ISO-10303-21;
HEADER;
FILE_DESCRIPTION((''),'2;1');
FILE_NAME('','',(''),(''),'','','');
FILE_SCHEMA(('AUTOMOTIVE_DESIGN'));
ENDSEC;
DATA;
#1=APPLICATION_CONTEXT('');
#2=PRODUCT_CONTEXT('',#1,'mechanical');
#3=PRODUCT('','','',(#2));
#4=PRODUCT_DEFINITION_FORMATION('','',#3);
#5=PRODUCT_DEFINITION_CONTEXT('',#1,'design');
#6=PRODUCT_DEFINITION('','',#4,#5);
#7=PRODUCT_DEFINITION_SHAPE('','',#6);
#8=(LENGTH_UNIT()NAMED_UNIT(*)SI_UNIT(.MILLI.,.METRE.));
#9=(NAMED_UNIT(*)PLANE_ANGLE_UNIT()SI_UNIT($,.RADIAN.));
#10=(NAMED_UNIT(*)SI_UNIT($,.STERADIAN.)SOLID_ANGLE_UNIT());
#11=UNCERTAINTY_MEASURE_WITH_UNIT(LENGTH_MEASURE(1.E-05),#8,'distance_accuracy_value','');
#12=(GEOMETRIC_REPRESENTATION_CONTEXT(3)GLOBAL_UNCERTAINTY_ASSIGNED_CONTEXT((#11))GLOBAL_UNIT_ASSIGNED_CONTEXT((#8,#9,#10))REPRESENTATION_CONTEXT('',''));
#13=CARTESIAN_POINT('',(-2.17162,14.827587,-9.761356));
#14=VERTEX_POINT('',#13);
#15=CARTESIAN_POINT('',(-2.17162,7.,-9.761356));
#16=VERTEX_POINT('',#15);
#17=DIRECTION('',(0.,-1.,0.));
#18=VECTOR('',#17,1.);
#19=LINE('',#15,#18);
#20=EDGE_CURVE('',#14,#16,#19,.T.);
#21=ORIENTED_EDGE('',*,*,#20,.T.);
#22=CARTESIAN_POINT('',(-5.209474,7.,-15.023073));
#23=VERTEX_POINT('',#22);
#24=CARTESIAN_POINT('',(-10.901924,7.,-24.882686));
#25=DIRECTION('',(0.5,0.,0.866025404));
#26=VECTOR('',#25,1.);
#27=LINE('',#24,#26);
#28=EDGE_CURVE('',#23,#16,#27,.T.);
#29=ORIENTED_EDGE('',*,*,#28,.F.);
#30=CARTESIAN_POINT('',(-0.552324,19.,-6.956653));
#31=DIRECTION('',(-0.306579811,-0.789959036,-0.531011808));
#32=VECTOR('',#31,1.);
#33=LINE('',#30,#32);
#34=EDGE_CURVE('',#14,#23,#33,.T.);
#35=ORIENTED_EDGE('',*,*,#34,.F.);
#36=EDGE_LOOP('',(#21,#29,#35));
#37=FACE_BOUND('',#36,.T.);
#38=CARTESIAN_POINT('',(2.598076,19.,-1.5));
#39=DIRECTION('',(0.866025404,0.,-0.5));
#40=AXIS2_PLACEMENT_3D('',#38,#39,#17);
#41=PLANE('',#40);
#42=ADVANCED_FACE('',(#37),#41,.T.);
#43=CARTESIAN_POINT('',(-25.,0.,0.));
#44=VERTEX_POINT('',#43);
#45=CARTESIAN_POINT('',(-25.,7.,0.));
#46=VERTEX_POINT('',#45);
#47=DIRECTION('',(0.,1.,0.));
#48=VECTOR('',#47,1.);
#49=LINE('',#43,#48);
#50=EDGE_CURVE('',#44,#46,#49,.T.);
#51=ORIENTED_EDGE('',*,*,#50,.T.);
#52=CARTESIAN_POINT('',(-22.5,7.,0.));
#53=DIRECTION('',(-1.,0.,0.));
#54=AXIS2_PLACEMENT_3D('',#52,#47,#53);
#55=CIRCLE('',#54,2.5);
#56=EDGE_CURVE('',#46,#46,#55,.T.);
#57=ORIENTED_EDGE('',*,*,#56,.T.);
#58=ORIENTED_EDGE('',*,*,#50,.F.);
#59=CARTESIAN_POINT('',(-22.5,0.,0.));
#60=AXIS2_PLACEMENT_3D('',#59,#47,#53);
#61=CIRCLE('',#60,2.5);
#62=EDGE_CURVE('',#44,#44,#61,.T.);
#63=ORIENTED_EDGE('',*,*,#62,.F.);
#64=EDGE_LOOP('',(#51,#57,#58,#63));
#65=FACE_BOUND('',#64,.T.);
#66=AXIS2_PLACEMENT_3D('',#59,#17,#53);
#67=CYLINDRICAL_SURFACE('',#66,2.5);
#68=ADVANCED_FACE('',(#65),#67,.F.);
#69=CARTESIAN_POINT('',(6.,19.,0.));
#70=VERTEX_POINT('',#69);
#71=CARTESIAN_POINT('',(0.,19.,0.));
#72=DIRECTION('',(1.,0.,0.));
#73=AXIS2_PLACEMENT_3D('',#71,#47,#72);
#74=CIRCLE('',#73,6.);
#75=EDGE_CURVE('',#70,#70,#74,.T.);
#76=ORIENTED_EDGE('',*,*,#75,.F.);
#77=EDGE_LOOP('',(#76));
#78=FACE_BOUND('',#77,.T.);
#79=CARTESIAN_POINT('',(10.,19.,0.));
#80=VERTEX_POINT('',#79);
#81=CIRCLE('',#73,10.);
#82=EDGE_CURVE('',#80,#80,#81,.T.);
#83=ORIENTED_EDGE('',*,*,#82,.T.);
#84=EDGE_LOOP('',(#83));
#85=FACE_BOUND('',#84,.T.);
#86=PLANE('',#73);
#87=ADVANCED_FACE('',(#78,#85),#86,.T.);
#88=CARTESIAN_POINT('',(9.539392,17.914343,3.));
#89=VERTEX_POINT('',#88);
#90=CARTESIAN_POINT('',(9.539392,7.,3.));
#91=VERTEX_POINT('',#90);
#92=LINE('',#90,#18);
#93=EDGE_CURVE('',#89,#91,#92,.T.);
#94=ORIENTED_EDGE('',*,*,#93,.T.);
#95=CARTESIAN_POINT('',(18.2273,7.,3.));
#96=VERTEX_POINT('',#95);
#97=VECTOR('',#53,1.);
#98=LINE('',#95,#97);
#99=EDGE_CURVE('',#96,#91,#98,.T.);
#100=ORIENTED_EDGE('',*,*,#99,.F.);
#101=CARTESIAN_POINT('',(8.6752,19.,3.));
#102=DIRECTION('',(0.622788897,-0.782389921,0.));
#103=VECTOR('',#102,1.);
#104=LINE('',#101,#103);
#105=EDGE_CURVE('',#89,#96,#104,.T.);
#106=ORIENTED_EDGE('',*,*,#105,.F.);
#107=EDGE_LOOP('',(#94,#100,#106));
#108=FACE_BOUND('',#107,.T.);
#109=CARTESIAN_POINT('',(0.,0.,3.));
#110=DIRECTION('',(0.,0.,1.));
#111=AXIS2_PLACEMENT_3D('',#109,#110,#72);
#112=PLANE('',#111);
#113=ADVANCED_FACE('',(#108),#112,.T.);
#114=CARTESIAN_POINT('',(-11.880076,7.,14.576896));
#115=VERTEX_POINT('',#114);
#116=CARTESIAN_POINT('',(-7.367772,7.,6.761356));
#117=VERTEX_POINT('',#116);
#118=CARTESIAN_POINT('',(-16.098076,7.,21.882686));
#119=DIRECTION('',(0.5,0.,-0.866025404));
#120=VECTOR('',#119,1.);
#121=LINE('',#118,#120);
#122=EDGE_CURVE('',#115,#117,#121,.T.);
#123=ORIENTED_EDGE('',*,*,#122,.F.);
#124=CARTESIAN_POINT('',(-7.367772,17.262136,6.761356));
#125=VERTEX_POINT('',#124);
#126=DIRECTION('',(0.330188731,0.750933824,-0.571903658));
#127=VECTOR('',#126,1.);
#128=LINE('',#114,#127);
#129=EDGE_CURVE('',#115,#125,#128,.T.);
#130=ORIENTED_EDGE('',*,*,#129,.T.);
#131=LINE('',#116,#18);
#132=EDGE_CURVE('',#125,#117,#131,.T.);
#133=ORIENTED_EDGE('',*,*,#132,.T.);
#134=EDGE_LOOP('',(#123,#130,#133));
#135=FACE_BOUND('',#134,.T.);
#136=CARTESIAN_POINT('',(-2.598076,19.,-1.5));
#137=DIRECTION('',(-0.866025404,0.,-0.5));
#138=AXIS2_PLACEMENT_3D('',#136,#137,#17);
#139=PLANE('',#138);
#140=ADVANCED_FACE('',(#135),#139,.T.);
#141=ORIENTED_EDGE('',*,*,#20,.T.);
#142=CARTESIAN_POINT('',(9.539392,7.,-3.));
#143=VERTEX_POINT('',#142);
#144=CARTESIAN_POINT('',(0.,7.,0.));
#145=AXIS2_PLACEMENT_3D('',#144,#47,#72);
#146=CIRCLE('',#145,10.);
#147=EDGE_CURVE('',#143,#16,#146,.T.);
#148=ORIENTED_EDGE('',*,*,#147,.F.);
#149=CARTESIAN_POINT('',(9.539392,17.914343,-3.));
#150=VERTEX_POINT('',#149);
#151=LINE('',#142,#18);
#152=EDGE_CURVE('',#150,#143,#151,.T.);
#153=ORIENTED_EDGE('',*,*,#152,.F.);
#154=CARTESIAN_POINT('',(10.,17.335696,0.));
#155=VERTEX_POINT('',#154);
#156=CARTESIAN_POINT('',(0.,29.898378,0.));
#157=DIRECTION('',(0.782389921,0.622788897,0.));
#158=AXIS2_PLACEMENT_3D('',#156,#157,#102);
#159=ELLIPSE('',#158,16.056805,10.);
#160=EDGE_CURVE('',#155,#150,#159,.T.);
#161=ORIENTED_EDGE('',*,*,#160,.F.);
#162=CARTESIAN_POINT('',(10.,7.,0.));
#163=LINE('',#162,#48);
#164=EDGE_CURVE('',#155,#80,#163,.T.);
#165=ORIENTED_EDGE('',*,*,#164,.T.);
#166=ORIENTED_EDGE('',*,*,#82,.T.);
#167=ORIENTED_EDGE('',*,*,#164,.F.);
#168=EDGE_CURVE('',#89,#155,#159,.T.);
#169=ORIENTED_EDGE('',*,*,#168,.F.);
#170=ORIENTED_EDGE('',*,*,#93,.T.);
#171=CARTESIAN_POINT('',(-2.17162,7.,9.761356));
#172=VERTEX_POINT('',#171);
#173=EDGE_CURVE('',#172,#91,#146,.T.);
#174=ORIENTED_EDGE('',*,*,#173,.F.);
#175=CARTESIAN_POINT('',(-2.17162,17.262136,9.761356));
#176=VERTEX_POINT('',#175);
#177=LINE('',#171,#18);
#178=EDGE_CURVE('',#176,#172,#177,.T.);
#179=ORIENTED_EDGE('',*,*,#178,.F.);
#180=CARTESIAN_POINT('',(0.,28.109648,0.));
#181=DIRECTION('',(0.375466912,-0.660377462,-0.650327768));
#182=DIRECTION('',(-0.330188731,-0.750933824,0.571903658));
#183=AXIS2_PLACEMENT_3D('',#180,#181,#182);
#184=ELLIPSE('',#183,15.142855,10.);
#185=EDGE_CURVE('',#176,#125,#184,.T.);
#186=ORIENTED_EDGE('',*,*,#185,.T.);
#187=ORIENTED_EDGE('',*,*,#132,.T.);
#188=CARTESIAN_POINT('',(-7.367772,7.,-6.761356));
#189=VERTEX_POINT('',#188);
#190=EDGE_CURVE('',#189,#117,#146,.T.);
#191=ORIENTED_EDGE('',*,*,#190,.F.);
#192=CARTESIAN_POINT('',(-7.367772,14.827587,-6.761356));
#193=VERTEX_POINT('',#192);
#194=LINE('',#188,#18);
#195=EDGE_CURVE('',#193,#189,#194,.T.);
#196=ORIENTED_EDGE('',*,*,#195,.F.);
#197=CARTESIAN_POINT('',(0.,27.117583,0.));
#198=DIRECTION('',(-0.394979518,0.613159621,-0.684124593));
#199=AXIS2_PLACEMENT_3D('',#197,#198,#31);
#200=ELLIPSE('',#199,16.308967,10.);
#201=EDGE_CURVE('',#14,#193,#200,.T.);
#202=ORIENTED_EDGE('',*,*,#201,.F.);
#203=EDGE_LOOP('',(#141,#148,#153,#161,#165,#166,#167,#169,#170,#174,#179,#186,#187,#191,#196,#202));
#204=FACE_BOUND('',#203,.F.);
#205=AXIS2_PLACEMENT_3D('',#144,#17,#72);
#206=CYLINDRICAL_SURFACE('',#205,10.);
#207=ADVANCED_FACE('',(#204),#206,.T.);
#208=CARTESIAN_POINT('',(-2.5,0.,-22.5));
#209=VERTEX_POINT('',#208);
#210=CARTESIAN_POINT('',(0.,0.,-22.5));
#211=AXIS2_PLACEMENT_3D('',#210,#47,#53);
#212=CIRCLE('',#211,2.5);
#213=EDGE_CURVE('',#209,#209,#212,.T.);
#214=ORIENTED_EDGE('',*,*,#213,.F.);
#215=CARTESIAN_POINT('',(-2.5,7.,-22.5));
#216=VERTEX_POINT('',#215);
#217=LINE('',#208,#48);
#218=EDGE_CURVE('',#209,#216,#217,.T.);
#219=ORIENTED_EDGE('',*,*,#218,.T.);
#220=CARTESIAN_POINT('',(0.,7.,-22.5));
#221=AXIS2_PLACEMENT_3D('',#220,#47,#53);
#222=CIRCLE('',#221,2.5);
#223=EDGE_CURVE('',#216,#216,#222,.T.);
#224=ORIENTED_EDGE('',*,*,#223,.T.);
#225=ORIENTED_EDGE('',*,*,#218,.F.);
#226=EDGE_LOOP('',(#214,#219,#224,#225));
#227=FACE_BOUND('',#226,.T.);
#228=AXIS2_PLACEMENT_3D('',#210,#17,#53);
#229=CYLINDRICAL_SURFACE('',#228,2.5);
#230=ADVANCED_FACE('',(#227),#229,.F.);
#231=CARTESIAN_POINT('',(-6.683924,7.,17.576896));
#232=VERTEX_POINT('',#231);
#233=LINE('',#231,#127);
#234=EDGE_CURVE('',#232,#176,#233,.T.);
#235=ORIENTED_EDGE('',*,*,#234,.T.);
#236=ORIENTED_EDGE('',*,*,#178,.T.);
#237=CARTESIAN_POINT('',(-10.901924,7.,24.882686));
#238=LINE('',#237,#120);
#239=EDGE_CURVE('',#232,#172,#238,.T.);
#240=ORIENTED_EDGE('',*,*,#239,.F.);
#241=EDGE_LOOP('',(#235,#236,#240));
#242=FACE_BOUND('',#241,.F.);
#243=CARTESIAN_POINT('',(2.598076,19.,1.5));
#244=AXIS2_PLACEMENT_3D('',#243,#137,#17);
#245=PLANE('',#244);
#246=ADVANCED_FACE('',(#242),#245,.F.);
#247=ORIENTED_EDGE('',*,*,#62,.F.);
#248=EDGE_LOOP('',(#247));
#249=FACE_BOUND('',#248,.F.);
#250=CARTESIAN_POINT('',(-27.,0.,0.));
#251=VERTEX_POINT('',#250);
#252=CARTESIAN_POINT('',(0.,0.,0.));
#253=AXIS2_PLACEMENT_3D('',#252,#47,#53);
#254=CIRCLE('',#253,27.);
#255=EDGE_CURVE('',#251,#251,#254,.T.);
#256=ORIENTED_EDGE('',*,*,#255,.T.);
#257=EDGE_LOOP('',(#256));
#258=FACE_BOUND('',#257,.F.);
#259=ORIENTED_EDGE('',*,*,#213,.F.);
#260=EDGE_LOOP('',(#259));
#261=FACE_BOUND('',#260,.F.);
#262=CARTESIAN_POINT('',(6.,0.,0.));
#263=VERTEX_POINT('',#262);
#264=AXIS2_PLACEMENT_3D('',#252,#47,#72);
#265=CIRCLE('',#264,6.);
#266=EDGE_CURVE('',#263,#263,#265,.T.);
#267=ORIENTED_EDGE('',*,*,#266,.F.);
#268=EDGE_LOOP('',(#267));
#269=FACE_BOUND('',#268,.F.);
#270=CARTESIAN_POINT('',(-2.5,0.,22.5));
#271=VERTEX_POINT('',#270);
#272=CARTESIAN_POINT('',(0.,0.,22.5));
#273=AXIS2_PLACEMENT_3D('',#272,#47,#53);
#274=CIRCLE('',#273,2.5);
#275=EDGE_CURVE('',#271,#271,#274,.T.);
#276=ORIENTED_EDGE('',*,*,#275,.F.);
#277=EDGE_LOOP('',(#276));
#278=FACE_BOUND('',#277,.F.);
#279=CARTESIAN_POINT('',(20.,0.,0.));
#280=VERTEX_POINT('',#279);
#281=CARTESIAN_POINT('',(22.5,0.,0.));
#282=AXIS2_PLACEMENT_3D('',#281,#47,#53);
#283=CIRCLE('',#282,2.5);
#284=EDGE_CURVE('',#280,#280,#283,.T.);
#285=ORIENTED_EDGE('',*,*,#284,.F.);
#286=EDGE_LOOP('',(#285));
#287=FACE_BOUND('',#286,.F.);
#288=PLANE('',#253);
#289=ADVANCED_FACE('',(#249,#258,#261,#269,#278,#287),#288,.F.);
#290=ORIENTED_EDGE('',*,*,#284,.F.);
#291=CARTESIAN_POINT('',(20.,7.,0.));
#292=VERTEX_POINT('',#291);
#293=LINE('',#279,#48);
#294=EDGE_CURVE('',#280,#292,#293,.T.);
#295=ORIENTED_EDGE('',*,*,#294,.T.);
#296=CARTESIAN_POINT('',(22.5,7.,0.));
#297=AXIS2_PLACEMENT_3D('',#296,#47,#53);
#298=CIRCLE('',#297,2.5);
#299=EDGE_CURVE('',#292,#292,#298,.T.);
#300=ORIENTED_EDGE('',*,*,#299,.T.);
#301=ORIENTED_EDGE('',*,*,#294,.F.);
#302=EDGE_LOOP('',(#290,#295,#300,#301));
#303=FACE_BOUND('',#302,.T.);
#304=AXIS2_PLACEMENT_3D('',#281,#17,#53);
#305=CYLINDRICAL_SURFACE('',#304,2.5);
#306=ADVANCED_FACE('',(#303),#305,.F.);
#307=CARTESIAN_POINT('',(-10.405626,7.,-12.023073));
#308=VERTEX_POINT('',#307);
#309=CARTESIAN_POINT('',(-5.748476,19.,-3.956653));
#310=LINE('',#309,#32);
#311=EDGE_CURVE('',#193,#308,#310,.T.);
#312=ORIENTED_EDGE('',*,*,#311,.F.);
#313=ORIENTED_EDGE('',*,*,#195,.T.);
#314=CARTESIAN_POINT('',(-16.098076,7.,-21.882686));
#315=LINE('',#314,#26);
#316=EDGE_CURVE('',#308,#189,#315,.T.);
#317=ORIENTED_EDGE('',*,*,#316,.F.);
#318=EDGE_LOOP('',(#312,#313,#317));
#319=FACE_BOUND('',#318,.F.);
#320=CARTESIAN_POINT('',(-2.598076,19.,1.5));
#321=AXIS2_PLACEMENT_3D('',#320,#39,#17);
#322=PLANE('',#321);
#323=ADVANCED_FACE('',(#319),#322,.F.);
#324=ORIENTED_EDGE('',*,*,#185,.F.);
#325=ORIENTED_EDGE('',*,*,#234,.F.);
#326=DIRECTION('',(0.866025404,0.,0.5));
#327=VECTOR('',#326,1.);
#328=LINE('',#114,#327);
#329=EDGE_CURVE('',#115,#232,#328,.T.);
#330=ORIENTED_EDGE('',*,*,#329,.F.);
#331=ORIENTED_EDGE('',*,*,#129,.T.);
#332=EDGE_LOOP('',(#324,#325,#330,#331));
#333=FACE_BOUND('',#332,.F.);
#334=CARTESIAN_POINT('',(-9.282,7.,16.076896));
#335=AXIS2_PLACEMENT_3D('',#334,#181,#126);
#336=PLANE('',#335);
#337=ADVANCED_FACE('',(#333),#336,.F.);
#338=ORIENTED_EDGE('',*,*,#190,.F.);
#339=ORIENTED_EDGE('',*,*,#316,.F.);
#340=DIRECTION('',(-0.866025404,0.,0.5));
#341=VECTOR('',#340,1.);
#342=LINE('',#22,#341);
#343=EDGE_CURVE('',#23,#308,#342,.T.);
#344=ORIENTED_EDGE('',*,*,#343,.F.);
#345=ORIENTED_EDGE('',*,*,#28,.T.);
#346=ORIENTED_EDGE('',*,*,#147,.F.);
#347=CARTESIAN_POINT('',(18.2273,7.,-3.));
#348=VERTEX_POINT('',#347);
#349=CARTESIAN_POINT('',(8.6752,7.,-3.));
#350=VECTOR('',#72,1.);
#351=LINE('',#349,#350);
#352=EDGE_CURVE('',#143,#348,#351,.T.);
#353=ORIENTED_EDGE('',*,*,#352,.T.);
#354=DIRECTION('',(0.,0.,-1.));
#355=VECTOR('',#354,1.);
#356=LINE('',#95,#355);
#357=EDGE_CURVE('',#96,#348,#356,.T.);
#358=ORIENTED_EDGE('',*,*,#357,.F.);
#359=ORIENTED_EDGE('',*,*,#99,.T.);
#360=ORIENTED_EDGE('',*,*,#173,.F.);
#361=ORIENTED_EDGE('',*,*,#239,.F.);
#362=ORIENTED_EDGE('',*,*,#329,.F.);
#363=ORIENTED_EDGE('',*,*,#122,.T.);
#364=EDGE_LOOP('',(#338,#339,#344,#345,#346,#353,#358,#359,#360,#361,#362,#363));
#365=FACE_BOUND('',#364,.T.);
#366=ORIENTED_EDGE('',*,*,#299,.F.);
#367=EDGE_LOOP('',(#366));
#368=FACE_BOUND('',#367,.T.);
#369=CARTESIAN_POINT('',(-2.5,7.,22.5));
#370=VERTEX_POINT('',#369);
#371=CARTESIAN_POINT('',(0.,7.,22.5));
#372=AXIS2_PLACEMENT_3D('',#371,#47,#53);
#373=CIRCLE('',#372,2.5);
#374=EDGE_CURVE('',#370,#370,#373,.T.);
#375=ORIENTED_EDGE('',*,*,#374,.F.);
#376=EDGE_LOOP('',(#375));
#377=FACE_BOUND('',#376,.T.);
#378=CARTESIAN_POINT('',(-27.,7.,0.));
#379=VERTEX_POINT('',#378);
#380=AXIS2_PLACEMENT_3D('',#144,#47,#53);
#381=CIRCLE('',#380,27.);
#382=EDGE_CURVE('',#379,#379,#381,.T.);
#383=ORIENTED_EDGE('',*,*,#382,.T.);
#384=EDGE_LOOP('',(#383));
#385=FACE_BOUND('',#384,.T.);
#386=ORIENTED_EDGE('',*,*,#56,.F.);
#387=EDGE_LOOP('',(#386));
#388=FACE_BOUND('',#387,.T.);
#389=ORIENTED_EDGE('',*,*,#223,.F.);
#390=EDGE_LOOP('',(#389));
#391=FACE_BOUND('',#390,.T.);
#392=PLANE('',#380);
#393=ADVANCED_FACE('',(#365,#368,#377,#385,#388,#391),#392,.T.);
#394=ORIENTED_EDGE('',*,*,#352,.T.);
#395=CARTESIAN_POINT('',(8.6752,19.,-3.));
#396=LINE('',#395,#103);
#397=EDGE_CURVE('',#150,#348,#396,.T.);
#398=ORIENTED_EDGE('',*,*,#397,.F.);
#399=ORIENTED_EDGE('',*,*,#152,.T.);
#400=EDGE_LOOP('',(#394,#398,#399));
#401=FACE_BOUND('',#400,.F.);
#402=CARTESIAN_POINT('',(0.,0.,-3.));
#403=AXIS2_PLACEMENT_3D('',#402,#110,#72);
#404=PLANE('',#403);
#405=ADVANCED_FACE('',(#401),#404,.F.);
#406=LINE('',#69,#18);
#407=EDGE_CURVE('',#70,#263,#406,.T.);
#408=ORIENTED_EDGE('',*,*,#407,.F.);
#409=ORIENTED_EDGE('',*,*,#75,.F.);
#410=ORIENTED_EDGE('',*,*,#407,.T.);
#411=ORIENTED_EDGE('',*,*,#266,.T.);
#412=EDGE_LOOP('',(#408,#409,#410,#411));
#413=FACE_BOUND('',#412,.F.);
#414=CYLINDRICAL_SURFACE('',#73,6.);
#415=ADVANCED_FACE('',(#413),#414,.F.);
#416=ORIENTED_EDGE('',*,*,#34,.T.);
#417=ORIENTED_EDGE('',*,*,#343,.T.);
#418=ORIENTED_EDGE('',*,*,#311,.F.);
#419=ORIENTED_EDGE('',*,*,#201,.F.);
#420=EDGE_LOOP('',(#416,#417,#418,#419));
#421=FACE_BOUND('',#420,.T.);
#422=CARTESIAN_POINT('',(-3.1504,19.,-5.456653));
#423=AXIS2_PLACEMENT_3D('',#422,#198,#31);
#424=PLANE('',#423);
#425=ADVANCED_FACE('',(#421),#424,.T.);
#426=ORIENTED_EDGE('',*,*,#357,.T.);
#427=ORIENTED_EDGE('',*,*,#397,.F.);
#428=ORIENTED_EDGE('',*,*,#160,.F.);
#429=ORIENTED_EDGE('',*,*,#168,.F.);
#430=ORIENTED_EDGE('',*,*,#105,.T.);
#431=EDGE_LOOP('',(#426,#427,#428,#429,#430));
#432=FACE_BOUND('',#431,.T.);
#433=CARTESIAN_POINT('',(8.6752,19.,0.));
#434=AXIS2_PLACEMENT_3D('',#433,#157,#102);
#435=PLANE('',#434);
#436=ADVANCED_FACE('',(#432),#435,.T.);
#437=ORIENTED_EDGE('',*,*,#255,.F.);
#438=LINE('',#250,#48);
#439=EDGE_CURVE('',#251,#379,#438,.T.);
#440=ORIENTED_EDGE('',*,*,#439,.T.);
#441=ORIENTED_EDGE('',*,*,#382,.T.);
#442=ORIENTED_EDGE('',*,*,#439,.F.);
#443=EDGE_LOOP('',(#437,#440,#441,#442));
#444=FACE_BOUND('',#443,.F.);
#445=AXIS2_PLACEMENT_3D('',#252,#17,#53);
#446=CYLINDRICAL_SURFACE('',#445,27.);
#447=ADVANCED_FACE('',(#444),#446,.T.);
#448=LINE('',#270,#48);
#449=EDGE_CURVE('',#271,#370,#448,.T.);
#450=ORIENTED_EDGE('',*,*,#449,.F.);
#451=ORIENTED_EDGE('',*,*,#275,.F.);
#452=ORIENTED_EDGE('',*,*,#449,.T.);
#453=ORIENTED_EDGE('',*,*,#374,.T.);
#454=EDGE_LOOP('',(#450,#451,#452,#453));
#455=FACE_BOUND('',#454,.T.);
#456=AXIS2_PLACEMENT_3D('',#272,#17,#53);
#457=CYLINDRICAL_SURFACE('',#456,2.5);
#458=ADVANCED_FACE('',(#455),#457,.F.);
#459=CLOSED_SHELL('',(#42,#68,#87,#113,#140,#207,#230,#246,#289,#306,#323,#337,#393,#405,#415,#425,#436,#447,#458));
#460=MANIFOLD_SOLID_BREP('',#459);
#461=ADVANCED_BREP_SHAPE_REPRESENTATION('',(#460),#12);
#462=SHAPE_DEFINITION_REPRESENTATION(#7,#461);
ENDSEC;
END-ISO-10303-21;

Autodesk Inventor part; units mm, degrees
ref_plane "YZ Plane" through (0, 0, 0) normal (1, 0, 0) x (0, 1, 0)
ref_plane "XZ Plane" through (0, 0, 0) normal (0, 1, 0) x (-1, 0, 0)
sketch "草图1" plane through (0, 0, 0) normal (0, 1, 0) x (-1, 0, 0)
  circle A0 centre (0, 0) radius 27
  circle A1 centre (0, 0) radius 22.5 construction
  circle A2 centre (22.5, 0) radius 2.5
  circle A3 centre (0, -22.5) radius 2.5
  circle A4 centre (-22.5, 0) radius 2.5
  circle A5 centre (0, 22.5) radius 2.5
  dimension "d0" = 54
  dimension "d1" = 45
  dimension "d2" = 5
  dimension "d3" = 5
  dimension "d4" = 5
  dimension "d5" = 5
extrude "拉伸1" add sketch "草图1" along normal blind 7
sketch "草图2" plane through (0, 7, 0) normal (0, 1, 0) x (1, 0, 0)
  circle A0 centre (0, 0) radius 27 projected
  circle A1 centre (0, 0) radius 10
  dimension "d8" = 20
extrude "拉伸2" add sketch "草图2" along normal blind 12 contours A1
sketch "草图3" plane through (0, 19, 0) normal (0, 1, 0) x (1, 0, 0)
  circle A0 centre (0, 0) radius 10 projected
  circle A1 centre (0, 0) radius 6
  dimension "d11" = 12
extrude "拉伸3" cut sketch "草图3" against normal blind 19 contours A1
sketch "草图4" plane through (0, 0, 0) normal (0, 0, 1) x (1, 0, 0)
  line L0 (10, 19) -> (-10, 19) projected
  line L1 (-10, 7) -> (10, 7) projected
  line L2 (27, 7) -> (-27, 7) projected
  line L3 (-27, 0) -> (27, 0) projected
  line L4 (8.6752, 19) -> (8.6752, 7)
  line L5 (8.6752, 19) -> (18.2273, 7)
  line L6 (8.6752, 7) -> (18.2273, 7)
  point P0 (0, 0)
extrude "拉伸4" add sketch "草图4" along normal mid plane 6
ref_plane "工作平面1" through (0, 19, 0) normal (-0.866, 0, -0.5) x (0, -1, 0)
sketch "草图5" plane through (0, 19, 0) normal (-0.866, 0, -0.5) x (0, -1, 0)
  point P0 (19, 0)
sketch "草图6" plane through (0, 19, 0) normal (-0.866, 0, -0.5) x (0, -1, 0)
  point P0 (19, 0)
sketch "草图7" plane through (0, 19, 0) normal (-0.866, 0, -0.5) x (0, -1, 0)
  line L0 (12, -2.1716) -> (1.0857, -2.1716) projected
  ellipse E0 centre (-10.8983, 0) end of major axis (-22.7486, 7.5911) minor radius 7.7307 (1.0857, -7.3678) -> (1.0857, -2.1716) ccw projected
  line L1 (1.0857, -7.3678) -> (12, -7.3678) projected
  line L2 (12, -2.1716) -> (12, -7.3678) projected
  line L3 (0, 10) -> (0, -10) projected
  line L4 (12, 27) -> (12, -27) projected
  line L5 (19, -27) -> (19, 27) projected
  line L6 (0, 8.0111) -> (12, 8.0111)
  line L7 (12, 18.564) -> (0, 8.0111)
  line L8 (12, 18.564) -> (12, 8.0111)
  point P0 (19, 0)
extrude "拉伸5" add sketch "草图7" along normal mid plane 6 contours L6 L7 L4
ref_plane "工作平面2" through (0, 19, 0) normal (0.866, 0, -0.5) x (0, -1, 0)
sketch "草图8" plane through (0, 19, 0) normal (0.866, 0, -0.5) x (0, -1, 0)
  line L0 (0, 10) -> (0, -10) projected
  line L1 (12, -2.1716) -> (1.7379, -2.1716) projected
  ellipse E0 centre (-9.1096, 0) end of major axis (1.2979, -8.0654) minor radius 7.4792 (1.7379, -7.3678) -> (1.7379, -2.1716) ccw projected
  line L2 (1.7379, -7.3678) -> (12, -7.3678) projected
  line L3 (12, -7.3678) -> (12, -7.3678) projected
  line L4 (12, -7.3678) -> (1.0857, -7.3678) projected
  ellipse E1 centre (-10.8983, 0) end of major axis (-22.7486, 7.5911) minor radius 7.7307 (1.0857, -7.3678) -> (1.0857, -2.1716) ccw projected
  line L5 (1.0857, -2.1716) -> (12, -2.1716) projected
  line L6 (12, -2.1716) -> (12, -2.1716) projected
  line L7 (12, 27) -> (12, -27) projected
  line L8 (19, -27) -> (19, 27) projected
  line L9 (0, 6.3008) -> (12, 6.3008)
  line L10 (0, 6.3008) -> (12, 15.6151)
  line L11 (12, 15.6151) -> (12, 6.3008)
  point P0 (19, 0)
extrude "拉伸6" add sketch "草图8" along normal mid plane 6 contours L9 L10 L7
